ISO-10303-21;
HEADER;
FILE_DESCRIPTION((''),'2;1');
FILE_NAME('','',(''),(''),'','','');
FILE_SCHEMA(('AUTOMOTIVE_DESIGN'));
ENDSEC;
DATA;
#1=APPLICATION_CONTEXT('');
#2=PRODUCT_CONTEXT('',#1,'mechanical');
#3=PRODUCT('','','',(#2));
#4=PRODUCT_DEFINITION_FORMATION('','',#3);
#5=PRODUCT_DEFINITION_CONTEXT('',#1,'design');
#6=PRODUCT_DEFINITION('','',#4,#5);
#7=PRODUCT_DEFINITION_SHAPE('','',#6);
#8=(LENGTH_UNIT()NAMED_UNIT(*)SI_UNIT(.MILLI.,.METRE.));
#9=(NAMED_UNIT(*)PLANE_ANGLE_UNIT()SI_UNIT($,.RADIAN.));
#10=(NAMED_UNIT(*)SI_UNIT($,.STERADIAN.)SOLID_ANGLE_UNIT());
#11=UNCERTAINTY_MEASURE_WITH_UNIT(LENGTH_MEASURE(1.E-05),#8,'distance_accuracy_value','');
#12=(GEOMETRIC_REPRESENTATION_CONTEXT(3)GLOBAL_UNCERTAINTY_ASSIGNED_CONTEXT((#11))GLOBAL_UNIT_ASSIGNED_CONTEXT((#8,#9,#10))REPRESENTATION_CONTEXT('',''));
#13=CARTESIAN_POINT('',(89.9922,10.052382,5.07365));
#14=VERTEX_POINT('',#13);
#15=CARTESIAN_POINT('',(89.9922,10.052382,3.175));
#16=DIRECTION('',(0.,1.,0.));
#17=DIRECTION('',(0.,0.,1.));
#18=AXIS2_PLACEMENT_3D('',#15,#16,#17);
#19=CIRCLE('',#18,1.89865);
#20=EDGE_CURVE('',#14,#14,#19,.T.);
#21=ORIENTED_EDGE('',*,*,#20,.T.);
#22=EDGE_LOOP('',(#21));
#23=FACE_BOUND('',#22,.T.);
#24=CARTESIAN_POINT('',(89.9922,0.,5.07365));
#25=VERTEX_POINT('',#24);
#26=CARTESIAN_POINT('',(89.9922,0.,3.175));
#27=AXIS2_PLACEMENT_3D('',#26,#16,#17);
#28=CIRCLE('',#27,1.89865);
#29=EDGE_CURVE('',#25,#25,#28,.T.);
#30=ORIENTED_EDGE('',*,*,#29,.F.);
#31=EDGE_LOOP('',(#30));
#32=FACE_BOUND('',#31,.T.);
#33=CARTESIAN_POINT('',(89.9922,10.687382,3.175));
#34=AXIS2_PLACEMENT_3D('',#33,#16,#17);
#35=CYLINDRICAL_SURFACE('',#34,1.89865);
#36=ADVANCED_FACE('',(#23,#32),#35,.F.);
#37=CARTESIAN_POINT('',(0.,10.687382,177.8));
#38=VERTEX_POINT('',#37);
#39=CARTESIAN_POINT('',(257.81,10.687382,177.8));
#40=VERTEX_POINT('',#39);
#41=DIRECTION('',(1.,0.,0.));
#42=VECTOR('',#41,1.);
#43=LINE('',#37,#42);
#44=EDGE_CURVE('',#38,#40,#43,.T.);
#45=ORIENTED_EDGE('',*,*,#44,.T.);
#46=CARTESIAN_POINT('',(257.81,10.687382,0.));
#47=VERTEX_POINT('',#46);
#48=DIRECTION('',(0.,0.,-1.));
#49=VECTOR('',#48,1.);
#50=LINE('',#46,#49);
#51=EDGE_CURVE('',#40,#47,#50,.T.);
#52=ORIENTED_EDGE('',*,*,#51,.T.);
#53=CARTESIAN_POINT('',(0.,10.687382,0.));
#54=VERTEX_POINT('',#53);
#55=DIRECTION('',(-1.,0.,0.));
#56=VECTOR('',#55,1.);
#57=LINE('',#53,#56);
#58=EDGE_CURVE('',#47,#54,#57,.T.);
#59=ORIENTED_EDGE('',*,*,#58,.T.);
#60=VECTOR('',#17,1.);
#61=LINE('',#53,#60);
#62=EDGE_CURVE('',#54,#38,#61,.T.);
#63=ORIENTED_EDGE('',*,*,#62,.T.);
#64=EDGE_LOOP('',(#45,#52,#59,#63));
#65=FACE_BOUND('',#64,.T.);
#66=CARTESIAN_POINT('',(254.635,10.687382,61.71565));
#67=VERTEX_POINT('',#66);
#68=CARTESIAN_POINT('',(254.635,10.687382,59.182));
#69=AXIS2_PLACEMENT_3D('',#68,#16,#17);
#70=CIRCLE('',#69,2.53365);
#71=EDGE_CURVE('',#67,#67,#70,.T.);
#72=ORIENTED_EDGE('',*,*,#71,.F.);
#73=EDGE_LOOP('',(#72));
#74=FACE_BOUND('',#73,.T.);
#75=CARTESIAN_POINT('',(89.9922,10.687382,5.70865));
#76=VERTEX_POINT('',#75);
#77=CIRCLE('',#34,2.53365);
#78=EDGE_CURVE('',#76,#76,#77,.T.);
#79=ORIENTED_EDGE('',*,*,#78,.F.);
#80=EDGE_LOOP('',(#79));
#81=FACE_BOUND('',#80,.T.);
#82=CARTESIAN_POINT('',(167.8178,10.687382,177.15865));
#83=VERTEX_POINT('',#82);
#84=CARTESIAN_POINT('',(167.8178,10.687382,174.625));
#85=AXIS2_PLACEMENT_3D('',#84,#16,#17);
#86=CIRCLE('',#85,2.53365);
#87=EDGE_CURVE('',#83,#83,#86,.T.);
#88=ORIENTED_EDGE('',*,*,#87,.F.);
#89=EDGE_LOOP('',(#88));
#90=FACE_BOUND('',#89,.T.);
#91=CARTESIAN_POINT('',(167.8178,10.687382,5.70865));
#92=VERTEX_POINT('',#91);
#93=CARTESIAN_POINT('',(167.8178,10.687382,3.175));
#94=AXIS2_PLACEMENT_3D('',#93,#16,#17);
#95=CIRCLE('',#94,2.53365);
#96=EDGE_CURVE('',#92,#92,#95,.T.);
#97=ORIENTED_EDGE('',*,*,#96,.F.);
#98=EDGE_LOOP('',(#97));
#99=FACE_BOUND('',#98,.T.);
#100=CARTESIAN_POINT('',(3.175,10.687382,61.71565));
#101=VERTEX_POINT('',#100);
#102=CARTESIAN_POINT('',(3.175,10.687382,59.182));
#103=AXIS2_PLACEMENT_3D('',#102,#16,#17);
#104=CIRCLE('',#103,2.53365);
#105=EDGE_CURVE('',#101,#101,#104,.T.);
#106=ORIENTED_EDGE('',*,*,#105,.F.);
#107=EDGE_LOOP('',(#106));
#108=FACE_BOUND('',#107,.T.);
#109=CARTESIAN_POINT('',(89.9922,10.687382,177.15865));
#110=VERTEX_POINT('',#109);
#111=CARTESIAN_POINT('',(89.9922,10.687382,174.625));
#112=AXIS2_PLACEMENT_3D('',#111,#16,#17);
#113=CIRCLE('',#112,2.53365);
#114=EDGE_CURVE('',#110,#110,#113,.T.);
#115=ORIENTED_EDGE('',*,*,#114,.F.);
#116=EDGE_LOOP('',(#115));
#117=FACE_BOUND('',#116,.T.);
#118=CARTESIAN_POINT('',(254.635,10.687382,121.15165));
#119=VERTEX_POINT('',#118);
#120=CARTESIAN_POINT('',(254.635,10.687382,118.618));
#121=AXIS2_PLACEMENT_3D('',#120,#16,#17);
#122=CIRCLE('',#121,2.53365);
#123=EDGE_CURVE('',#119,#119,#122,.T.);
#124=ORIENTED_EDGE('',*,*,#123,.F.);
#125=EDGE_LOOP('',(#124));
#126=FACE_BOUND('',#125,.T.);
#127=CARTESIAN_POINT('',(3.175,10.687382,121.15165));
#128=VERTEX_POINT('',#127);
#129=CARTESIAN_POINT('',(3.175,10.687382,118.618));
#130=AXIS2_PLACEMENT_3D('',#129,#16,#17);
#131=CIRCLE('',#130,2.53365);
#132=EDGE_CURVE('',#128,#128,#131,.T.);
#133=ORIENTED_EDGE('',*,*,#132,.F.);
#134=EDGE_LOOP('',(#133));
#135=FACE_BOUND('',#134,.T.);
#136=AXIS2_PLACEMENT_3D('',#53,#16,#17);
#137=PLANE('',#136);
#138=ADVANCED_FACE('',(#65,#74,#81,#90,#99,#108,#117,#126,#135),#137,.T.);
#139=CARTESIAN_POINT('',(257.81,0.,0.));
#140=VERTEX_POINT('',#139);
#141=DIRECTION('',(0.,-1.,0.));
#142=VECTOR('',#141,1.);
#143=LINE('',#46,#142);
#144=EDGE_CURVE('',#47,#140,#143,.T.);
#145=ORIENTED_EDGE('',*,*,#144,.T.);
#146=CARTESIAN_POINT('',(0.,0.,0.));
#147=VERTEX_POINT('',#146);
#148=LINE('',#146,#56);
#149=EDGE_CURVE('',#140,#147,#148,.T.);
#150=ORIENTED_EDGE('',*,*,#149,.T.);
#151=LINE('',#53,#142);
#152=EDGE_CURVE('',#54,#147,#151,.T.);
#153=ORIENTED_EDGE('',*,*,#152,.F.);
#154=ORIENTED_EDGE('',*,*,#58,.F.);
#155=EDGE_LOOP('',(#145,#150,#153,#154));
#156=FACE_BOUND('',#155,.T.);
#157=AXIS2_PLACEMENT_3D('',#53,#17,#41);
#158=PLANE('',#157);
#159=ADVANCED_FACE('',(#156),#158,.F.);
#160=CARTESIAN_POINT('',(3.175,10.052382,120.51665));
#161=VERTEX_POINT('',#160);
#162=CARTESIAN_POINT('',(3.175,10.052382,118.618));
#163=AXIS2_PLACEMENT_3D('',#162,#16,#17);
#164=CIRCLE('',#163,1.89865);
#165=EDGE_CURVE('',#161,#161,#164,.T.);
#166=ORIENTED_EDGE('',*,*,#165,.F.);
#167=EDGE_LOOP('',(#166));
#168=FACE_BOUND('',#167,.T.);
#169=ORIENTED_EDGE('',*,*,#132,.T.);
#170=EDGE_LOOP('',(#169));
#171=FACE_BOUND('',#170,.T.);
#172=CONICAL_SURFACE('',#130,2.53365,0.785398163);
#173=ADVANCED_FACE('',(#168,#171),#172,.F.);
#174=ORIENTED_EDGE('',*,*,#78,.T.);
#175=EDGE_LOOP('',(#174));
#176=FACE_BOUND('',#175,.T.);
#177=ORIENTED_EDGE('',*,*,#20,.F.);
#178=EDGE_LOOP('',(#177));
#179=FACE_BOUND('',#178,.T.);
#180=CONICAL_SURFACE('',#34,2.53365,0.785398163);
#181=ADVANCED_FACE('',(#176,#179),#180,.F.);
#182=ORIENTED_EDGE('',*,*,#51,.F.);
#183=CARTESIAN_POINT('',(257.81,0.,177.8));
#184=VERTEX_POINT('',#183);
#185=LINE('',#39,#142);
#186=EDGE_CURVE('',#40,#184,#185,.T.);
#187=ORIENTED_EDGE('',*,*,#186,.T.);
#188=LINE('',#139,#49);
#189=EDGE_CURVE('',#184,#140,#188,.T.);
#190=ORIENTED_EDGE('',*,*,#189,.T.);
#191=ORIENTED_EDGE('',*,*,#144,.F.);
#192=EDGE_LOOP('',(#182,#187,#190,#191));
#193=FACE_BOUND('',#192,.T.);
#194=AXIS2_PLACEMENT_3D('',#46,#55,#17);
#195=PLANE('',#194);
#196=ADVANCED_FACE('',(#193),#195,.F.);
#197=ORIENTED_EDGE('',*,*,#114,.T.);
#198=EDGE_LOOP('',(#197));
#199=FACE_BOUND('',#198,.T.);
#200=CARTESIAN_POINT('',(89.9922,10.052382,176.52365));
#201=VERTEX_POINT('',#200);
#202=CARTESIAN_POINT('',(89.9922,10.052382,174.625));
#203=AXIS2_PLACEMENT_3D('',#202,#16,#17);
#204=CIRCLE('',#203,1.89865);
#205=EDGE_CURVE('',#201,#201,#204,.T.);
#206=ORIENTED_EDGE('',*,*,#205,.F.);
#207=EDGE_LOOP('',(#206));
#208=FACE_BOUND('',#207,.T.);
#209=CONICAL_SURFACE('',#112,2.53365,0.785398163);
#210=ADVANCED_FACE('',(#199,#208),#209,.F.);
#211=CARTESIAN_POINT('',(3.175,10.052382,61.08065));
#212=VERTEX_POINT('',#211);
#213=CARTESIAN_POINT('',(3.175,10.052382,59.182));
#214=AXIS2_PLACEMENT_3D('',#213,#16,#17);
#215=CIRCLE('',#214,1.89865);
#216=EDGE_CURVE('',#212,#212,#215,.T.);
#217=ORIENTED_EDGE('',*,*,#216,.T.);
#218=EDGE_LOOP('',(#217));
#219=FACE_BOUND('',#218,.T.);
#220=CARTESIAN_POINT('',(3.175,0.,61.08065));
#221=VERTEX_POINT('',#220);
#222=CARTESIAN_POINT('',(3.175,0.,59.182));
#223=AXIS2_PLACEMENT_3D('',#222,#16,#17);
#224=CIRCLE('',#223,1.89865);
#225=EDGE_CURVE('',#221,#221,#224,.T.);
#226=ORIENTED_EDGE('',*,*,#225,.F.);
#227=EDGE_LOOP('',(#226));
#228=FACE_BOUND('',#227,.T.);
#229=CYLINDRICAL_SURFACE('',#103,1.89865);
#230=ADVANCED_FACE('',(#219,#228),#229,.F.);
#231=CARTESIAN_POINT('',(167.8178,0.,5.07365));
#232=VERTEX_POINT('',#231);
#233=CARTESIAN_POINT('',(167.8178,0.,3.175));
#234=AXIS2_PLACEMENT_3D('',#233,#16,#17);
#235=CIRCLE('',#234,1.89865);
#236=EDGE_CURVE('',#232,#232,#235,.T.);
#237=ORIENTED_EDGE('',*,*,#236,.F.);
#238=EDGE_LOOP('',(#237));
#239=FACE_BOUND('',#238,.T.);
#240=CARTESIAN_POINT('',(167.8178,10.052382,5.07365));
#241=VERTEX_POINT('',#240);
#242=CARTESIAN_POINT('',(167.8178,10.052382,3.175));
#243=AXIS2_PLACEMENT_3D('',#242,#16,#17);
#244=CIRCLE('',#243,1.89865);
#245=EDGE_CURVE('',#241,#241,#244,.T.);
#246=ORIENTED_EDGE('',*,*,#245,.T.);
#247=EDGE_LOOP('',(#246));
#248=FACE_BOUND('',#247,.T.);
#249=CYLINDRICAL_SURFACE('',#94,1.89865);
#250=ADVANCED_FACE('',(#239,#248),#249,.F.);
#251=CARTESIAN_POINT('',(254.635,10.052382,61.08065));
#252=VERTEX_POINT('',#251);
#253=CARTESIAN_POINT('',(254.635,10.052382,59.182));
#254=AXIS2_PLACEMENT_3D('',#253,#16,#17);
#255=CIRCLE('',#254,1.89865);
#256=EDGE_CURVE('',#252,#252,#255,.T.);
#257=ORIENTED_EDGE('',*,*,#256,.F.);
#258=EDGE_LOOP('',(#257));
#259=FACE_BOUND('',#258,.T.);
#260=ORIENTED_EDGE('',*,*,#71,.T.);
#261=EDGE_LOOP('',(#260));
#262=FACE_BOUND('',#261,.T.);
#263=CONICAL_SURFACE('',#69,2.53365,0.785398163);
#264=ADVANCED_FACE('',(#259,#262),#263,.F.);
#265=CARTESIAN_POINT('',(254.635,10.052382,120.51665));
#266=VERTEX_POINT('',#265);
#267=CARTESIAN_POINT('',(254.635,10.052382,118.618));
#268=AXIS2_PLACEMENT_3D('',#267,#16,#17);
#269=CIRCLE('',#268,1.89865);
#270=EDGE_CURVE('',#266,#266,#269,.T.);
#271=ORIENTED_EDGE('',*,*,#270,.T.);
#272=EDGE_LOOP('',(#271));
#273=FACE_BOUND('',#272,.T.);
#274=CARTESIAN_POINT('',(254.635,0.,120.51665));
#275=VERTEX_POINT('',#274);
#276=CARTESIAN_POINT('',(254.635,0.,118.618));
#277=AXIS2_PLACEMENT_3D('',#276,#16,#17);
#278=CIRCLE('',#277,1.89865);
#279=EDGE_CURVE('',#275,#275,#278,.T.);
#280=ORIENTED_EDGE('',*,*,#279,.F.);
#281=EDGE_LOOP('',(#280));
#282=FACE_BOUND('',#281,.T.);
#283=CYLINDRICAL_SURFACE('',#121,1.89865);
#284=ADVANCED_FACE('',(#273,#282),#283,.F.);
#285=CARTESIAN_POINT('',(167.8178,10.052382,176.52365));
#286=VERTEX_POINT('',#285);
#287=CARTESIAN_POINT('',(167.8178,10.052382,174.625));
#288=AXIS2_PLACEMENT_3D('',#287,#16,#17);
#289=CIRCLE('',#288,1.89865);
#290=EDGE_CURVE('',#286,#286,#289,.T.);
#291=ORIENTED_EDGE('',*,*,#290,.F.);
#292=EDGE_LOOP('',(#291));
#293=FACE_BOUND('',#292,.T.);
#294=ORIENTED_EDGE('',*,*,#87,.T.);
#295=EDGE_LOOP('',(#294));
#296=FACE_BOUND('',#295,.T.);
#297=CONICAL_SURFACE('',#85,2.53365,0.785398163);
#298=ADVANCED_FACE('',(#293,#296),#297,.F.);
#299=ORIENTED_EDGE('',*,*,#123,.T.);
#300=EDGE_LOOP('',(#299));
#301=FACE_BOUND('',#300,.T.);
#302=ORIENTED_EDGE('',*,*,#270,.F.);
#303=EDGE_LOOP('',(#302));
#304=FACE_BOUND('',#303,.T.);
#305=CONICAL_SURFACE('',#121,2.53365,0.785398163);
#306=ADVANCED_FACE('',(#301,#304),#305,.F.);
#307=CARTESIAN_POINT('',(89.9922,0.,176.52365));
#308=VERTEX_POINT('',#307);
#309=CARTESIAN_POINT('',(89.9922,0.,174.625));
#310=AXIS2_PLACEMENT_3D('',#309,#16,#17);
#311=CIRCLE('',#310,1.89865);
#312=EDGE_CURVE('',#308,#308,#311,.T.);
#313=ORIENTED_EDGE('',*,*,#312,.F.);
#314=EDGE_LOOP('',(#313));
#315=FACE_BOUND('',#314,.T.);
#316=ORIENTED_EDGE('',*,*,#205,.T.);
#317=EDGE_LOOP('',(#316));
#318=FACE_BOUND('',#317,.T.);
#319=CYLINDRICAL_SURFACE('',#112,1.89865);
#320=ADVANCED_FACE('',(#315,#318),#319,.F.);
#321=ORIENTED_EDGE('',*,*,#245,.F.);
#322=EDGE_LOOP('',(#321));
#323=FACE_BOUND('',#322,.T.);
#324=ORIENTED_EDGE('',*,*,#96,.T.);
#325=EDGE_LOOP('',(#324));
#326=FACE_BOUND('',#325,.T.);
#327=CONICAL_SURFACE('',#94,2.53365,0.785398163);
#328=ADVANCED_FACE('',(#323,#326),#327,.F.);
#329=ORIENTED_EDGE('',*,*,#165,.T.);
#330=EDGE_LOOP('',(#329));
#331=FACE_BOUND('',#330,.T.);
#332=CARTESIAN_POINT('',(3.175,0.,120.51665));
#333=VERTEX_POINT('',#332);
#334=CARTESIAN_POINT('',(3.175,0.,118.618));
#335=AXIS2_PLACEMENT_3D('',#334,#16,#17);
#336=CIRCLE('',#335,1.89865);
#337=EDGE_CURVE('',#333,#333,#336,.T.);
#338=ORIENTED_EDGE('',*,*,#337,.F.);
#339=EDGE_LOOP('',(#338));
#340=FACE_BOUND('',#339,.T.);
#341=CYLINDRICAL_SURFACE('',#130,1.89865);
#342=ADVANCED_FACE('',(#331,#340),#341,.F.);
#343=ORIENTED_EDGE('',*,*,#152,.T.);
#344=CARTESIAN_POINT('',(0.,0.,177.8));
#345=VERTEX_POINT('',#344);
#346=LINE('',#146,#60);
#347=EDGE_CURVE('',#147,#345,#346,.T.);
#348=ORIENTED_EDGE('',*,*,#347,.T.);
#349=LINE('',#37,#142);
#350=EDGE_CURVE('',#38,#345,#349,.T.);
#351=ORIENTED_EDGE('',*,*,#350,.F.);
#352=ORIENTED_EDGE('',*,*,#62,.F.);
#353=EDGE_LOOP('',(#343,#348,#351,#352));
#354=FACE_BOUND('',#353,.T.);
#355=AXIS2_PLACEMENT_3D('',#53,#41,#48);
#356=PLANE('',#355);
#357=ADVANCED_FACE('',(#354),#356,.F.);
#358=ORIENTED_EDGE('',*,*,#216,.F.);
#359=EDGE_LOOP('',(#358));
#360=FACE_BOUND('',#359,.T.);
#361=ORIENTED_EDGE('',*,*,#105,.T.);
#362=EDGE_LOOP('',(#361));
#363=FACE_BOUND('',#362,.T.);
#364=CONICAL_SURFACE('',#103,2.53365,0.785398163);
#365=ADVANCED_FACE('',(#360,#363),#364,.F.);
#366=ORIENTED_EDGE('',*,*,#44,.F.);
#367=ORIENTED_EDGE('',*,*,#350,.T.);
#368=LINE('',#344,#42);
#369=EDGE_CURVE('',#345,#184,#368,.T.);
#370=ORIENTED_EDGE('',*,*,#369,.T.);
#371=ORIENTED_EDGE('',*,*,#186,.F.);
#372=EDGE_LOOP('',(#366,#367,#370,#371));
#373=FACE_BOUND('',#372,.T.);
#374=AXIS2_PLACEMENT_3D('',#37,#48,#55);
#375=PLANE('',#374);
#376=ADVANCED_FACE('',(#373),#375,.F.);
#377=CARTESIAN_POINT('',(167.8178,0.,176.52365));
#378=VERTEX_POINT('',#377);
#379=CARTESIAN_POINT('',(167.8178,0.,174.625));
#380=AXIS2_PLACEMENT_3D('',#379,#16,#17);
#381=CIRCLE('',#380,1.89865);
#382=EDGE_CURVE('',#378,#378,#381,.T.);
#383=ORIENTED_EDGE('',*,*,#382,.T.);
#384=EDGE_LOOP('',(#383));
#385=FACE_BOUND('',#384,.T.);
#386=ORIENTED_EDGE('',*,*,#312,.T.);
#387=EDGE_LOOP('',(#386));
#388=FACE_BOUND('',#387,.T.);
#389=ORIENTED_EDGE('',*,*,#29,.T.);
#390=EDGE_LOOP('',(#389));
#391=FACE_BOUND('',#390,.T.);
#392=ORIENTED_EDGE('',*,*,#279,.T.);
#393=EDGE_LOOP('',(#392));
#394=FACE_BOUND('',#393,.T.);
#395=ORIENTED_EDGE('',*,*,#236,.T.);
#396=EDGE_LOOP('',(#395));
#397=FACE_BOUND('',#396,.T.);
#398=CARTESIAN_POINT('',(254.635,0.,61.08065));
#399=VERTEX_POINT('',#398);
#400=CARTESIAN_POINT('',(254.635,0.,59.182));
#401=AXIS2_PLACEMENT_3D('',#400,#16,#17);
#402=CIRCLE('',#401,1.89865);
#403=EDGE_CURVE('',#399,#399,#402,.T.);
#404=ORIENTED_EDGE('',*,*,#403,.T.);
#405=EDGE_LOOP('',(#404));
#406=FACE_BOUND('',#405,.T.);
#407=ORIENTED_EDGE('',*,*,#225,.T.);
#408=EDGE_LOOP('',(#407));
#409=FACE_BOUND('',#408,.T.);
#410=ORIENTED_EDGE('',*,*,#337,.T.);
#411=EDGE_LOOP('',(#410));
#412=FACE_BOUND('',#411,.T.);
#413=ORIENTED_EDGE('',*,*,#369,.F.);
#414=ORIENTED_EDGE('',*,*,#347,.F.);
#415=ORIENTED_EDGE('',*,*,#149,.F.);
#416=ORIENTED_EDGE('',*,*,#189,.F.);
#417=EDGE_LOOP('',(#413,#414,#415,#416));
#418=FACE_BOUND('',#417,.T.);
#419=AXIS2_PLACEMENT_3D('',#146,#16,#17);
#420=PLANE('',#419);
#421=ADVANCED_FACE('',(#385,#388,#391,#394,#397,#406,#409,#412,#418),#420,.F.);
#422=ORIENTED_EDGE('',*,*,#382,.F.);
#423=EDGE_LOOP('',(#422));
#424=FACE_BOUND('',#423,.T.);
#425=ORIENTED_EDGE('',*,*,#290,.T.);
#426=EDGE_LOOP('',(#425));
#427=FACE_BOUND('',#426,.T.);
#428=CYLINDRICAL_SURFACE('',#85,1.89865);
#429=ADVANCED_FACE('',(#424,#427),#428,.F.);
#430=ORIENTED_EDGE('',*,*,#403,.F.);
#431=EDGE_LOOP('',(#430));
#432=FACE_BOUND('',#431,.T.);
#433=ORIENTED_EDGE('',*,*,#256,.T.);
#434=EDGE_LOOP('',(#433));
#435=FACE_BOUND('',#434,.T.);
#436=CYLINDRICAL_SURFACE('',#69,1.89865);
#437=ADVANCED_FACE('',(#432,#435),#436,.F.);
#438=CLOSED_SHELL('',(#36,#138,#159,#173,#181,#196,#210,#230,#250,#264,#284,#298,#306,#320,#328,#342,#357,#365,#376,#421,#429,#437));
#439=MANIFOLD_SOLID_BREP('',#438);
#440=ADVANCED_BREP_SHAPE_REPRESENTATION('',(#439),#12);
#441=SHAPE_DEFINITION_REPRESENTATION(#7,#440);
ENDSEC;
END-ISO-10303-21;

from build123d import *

# Parameters (mm, degrees)
SKETCH1_W                       = 257.81
SKETCH1_H                       = 177.8
BOSS_EXTRUDE1_DEPTH             = 10.687382177
F_6_CLEARANCE_HOLE1_D           = 3.7973
F_6_CLEARANCE_HOLE1_CSINK_D     = 5.0673
F_6_CLEARANCE_HOLE1_CSINK_ANGLE = 90


with BuildPart() as part:
    # Sketch1 → Boss-Extrude1 (new body)
    with BuildSketch(Plane(origin=(0, 0, 0), x_dir=(1, 0, 0), z_dir=(0, 1, 0))):
        with Locations((128.905, -88.9)):
            Rectangle(SKETCH1_W, SKETCH1_H)
    extrude(amount=BOSS_EXTRUDE1_DEPTH)

    # #6 Clearance Hole1 (through all)
    with Locations(Plane(origin=(0, 10.687382177, 0), x_dir=(1, 0, 0), z_dir=(0, 1, 0))):
        with Locations((3.175, -59.182), (89.9922, -3.175), (3.175, -118.618), (167.8178, -3.175), (254.635, -59.182), (254.635, -118.618), (167.8178, -174.625), (89.9922, -174.625)):
            CounterSinkHole(F_6_CLEARANCE_HOLE1_D / 2, F_6_CLEARANCE_HOLE1_CSINK_D / 2, counter_sink_angle=F_6_CLEARANCE_HOLE1_CSINK_ANGLE)


solid = part.part
